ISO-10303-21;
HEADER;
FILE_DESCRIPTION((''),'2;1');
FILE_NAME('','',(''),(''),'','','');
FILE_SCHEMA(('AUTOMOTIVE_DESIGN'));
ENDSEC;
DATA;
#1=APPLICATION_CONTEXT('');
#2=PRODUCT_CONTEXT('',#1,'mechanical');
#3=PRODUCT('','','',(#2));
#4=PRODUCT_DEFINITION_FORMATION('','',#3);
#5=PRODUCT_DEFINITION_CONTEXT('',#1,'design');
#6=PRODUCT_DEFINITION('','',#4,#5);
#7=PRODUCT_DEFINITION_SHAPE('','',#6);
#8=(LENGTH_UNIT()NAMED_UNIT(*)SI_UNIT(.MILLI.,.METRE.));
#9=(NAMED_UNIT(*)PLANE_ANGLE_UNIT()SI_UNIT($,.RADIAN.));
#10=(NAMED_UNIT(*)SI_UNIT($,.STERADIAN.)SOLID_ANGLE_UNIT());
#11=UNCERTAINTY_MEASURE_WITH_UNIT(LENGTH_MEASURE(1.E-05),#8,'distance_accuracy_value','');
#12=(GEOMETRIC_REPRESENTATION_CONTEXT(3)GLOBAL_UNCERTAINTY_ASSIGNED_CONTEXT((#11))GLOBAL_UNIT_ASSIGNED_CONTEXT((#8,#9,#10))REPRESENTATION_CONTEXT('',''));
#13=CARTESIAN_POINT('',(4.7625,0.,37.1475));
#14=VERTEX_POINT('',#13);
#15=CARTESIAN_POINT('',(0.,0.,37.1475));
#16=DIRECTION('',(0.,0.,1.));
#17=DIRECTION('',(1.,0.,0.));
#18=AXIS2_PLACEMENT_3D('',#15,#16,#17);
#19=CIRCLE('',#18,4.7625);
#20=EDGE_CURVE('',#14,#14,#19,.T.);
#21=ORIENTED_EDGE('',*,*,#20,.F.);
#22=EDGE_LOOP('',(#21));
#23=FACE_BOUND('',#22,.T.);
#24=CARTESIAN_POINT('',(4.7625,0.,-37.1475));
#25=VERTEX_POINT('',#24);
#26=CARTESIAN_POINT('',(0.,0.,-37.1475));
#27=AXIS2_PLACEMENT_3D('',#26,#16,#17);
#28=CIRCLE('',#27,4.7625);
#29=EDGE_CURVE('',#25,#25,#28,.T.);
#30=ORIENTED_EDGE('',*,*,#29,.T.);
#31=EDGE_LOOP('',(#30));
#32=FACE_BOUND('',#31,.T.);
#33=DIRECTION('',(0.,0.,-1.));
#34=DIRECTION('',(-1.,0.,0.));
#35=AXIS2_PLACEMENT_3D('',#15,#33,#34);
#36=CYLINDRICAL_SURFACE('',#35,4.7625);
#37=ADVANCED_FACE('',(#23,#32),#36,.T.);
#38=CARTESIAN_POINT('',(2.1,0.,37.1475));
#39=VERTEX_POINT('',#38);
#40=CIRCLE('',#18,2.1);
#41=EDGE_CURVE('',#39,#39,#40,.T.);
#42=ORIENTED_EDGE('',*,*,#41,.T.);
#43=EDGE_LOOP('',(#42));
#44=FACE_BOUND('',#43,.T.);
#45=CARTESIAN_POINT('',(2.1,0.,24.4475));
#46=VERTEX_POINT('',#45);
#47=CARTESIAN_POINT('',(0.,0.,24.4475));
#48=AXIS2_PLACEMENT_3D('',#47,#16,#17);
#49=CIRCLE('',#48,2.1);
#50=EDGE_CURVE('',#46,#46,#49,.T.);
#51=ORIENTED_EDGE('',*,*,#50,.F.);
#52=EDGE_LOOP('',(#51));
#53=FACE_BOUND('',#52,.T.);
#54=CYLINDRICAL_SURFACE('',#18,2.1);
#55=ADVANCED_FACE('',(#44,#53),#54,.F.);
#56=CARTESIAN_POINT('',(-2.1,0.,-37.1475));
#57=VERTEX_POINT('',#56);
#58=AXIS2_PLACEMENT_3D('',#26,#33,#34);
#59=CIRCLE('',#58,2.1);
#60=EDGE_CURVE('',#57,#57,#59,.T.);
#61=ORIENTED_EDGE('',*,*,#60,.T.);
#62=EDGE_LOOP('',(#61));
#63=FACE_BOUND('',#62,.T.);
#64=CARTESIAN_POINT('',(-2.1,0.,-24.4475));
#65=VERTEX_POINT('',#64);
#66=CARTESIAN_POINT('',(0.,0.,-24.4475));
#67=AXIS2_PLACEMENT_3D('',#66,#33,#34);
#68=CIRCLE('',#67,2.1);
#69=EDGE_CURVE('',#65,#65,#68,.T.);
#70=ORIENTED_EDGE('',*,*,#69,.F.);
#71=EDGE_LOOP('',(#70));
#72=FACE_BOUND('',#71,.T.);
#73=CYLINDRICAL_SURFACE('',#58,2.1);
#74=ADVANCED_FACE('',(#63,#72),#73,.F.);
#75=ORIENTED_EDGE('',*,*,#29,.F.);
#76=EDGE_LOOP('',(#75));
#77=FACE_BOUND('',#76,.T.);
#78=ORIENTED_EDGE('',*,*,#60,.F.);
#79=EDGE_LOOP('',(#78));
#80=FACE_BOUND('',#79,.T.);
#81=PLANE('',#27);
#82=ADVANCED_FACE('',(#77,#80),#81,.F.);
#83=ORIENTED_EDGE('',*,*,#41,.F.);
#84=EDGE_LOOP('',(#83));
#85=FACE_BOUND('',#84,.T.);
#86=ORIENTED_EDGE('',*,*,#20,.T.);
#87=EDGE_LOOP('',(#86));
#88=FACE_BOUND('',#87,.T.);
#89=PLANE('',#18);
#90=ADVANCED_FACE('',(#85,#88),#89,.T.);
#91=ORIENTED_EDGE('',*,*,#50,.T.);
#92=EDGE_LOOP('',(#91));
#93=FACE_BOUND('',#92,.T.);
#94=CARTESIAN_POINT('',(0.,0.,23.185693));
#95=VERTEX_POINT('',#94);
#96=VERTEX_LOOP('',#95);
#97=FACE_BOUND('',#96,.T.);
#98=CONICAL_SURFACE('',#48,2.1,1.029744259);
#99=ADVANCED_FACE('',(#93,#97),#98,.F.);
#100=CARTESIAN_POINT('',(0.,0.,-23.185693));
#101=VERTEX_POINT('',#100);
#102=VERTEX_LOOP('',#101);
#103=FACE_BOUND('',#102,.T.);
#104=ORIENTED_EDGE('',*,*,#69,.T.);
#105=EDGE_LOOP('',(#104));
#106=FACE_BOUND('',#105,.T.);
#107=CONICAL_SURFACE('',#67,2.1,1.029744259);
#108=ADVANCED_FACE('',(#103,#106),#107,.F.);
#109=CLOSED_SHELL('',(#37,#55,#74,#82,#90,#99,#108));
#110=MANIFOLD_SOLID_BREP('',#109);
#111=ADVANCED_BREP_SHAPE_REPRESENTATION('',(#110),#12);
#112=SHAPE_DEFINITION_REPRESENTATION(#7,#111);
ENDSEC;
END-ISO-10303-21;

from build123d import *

# Parameters (mm, degrees)
BOSS_EXTRUDE1_DEPTH      = 37.1475
BOSS_EXTRUDE1_DEPTH_BACK = 37.1475
SKETCH3_R                = 4.7625


with BuildPart() as part:
    # Sketch3 → Boss-Extrude1 (new, two sides: drawn at the far end of the back side and taken through both)
    with BuildSketch(Plane.XY.offset(-BOSS_EXTRUDE1_DEPTH_BACK)):
        Circle(SKETCH3_R)
    extrude(amount=BOSS_EXTRUDE1_DEPTH + BOSS_EXTRUDE1_DEPTH_BACK)

    # Sketch6 → Tap Drill for M5x0.8 Tap1 (revolve, cut)
    with BuildSketch(Plane(origin=(0, 0, 37.1475), x_dir=(0, -1, 0), z_dir=(1, 0, 0))):
        Polygon((0, 0), (0, 13.9618073), (2.1, 12.7), (2.1, 0), align=None)
    tap_drill_for_m5x0_8_tap1 = revolve(axis=Axis((0, 0, 43.4975), (0, 0, -1)), mode=Mode.SUBTRACT)

    # Mirror1: Tap Drill for M5x0.8 Tap1 across plane
    add(tap_drill_for_m5x0_8_tap1.mirror(Plane.XY), mode=Mode.SUBTRACT)


solid = part.part
